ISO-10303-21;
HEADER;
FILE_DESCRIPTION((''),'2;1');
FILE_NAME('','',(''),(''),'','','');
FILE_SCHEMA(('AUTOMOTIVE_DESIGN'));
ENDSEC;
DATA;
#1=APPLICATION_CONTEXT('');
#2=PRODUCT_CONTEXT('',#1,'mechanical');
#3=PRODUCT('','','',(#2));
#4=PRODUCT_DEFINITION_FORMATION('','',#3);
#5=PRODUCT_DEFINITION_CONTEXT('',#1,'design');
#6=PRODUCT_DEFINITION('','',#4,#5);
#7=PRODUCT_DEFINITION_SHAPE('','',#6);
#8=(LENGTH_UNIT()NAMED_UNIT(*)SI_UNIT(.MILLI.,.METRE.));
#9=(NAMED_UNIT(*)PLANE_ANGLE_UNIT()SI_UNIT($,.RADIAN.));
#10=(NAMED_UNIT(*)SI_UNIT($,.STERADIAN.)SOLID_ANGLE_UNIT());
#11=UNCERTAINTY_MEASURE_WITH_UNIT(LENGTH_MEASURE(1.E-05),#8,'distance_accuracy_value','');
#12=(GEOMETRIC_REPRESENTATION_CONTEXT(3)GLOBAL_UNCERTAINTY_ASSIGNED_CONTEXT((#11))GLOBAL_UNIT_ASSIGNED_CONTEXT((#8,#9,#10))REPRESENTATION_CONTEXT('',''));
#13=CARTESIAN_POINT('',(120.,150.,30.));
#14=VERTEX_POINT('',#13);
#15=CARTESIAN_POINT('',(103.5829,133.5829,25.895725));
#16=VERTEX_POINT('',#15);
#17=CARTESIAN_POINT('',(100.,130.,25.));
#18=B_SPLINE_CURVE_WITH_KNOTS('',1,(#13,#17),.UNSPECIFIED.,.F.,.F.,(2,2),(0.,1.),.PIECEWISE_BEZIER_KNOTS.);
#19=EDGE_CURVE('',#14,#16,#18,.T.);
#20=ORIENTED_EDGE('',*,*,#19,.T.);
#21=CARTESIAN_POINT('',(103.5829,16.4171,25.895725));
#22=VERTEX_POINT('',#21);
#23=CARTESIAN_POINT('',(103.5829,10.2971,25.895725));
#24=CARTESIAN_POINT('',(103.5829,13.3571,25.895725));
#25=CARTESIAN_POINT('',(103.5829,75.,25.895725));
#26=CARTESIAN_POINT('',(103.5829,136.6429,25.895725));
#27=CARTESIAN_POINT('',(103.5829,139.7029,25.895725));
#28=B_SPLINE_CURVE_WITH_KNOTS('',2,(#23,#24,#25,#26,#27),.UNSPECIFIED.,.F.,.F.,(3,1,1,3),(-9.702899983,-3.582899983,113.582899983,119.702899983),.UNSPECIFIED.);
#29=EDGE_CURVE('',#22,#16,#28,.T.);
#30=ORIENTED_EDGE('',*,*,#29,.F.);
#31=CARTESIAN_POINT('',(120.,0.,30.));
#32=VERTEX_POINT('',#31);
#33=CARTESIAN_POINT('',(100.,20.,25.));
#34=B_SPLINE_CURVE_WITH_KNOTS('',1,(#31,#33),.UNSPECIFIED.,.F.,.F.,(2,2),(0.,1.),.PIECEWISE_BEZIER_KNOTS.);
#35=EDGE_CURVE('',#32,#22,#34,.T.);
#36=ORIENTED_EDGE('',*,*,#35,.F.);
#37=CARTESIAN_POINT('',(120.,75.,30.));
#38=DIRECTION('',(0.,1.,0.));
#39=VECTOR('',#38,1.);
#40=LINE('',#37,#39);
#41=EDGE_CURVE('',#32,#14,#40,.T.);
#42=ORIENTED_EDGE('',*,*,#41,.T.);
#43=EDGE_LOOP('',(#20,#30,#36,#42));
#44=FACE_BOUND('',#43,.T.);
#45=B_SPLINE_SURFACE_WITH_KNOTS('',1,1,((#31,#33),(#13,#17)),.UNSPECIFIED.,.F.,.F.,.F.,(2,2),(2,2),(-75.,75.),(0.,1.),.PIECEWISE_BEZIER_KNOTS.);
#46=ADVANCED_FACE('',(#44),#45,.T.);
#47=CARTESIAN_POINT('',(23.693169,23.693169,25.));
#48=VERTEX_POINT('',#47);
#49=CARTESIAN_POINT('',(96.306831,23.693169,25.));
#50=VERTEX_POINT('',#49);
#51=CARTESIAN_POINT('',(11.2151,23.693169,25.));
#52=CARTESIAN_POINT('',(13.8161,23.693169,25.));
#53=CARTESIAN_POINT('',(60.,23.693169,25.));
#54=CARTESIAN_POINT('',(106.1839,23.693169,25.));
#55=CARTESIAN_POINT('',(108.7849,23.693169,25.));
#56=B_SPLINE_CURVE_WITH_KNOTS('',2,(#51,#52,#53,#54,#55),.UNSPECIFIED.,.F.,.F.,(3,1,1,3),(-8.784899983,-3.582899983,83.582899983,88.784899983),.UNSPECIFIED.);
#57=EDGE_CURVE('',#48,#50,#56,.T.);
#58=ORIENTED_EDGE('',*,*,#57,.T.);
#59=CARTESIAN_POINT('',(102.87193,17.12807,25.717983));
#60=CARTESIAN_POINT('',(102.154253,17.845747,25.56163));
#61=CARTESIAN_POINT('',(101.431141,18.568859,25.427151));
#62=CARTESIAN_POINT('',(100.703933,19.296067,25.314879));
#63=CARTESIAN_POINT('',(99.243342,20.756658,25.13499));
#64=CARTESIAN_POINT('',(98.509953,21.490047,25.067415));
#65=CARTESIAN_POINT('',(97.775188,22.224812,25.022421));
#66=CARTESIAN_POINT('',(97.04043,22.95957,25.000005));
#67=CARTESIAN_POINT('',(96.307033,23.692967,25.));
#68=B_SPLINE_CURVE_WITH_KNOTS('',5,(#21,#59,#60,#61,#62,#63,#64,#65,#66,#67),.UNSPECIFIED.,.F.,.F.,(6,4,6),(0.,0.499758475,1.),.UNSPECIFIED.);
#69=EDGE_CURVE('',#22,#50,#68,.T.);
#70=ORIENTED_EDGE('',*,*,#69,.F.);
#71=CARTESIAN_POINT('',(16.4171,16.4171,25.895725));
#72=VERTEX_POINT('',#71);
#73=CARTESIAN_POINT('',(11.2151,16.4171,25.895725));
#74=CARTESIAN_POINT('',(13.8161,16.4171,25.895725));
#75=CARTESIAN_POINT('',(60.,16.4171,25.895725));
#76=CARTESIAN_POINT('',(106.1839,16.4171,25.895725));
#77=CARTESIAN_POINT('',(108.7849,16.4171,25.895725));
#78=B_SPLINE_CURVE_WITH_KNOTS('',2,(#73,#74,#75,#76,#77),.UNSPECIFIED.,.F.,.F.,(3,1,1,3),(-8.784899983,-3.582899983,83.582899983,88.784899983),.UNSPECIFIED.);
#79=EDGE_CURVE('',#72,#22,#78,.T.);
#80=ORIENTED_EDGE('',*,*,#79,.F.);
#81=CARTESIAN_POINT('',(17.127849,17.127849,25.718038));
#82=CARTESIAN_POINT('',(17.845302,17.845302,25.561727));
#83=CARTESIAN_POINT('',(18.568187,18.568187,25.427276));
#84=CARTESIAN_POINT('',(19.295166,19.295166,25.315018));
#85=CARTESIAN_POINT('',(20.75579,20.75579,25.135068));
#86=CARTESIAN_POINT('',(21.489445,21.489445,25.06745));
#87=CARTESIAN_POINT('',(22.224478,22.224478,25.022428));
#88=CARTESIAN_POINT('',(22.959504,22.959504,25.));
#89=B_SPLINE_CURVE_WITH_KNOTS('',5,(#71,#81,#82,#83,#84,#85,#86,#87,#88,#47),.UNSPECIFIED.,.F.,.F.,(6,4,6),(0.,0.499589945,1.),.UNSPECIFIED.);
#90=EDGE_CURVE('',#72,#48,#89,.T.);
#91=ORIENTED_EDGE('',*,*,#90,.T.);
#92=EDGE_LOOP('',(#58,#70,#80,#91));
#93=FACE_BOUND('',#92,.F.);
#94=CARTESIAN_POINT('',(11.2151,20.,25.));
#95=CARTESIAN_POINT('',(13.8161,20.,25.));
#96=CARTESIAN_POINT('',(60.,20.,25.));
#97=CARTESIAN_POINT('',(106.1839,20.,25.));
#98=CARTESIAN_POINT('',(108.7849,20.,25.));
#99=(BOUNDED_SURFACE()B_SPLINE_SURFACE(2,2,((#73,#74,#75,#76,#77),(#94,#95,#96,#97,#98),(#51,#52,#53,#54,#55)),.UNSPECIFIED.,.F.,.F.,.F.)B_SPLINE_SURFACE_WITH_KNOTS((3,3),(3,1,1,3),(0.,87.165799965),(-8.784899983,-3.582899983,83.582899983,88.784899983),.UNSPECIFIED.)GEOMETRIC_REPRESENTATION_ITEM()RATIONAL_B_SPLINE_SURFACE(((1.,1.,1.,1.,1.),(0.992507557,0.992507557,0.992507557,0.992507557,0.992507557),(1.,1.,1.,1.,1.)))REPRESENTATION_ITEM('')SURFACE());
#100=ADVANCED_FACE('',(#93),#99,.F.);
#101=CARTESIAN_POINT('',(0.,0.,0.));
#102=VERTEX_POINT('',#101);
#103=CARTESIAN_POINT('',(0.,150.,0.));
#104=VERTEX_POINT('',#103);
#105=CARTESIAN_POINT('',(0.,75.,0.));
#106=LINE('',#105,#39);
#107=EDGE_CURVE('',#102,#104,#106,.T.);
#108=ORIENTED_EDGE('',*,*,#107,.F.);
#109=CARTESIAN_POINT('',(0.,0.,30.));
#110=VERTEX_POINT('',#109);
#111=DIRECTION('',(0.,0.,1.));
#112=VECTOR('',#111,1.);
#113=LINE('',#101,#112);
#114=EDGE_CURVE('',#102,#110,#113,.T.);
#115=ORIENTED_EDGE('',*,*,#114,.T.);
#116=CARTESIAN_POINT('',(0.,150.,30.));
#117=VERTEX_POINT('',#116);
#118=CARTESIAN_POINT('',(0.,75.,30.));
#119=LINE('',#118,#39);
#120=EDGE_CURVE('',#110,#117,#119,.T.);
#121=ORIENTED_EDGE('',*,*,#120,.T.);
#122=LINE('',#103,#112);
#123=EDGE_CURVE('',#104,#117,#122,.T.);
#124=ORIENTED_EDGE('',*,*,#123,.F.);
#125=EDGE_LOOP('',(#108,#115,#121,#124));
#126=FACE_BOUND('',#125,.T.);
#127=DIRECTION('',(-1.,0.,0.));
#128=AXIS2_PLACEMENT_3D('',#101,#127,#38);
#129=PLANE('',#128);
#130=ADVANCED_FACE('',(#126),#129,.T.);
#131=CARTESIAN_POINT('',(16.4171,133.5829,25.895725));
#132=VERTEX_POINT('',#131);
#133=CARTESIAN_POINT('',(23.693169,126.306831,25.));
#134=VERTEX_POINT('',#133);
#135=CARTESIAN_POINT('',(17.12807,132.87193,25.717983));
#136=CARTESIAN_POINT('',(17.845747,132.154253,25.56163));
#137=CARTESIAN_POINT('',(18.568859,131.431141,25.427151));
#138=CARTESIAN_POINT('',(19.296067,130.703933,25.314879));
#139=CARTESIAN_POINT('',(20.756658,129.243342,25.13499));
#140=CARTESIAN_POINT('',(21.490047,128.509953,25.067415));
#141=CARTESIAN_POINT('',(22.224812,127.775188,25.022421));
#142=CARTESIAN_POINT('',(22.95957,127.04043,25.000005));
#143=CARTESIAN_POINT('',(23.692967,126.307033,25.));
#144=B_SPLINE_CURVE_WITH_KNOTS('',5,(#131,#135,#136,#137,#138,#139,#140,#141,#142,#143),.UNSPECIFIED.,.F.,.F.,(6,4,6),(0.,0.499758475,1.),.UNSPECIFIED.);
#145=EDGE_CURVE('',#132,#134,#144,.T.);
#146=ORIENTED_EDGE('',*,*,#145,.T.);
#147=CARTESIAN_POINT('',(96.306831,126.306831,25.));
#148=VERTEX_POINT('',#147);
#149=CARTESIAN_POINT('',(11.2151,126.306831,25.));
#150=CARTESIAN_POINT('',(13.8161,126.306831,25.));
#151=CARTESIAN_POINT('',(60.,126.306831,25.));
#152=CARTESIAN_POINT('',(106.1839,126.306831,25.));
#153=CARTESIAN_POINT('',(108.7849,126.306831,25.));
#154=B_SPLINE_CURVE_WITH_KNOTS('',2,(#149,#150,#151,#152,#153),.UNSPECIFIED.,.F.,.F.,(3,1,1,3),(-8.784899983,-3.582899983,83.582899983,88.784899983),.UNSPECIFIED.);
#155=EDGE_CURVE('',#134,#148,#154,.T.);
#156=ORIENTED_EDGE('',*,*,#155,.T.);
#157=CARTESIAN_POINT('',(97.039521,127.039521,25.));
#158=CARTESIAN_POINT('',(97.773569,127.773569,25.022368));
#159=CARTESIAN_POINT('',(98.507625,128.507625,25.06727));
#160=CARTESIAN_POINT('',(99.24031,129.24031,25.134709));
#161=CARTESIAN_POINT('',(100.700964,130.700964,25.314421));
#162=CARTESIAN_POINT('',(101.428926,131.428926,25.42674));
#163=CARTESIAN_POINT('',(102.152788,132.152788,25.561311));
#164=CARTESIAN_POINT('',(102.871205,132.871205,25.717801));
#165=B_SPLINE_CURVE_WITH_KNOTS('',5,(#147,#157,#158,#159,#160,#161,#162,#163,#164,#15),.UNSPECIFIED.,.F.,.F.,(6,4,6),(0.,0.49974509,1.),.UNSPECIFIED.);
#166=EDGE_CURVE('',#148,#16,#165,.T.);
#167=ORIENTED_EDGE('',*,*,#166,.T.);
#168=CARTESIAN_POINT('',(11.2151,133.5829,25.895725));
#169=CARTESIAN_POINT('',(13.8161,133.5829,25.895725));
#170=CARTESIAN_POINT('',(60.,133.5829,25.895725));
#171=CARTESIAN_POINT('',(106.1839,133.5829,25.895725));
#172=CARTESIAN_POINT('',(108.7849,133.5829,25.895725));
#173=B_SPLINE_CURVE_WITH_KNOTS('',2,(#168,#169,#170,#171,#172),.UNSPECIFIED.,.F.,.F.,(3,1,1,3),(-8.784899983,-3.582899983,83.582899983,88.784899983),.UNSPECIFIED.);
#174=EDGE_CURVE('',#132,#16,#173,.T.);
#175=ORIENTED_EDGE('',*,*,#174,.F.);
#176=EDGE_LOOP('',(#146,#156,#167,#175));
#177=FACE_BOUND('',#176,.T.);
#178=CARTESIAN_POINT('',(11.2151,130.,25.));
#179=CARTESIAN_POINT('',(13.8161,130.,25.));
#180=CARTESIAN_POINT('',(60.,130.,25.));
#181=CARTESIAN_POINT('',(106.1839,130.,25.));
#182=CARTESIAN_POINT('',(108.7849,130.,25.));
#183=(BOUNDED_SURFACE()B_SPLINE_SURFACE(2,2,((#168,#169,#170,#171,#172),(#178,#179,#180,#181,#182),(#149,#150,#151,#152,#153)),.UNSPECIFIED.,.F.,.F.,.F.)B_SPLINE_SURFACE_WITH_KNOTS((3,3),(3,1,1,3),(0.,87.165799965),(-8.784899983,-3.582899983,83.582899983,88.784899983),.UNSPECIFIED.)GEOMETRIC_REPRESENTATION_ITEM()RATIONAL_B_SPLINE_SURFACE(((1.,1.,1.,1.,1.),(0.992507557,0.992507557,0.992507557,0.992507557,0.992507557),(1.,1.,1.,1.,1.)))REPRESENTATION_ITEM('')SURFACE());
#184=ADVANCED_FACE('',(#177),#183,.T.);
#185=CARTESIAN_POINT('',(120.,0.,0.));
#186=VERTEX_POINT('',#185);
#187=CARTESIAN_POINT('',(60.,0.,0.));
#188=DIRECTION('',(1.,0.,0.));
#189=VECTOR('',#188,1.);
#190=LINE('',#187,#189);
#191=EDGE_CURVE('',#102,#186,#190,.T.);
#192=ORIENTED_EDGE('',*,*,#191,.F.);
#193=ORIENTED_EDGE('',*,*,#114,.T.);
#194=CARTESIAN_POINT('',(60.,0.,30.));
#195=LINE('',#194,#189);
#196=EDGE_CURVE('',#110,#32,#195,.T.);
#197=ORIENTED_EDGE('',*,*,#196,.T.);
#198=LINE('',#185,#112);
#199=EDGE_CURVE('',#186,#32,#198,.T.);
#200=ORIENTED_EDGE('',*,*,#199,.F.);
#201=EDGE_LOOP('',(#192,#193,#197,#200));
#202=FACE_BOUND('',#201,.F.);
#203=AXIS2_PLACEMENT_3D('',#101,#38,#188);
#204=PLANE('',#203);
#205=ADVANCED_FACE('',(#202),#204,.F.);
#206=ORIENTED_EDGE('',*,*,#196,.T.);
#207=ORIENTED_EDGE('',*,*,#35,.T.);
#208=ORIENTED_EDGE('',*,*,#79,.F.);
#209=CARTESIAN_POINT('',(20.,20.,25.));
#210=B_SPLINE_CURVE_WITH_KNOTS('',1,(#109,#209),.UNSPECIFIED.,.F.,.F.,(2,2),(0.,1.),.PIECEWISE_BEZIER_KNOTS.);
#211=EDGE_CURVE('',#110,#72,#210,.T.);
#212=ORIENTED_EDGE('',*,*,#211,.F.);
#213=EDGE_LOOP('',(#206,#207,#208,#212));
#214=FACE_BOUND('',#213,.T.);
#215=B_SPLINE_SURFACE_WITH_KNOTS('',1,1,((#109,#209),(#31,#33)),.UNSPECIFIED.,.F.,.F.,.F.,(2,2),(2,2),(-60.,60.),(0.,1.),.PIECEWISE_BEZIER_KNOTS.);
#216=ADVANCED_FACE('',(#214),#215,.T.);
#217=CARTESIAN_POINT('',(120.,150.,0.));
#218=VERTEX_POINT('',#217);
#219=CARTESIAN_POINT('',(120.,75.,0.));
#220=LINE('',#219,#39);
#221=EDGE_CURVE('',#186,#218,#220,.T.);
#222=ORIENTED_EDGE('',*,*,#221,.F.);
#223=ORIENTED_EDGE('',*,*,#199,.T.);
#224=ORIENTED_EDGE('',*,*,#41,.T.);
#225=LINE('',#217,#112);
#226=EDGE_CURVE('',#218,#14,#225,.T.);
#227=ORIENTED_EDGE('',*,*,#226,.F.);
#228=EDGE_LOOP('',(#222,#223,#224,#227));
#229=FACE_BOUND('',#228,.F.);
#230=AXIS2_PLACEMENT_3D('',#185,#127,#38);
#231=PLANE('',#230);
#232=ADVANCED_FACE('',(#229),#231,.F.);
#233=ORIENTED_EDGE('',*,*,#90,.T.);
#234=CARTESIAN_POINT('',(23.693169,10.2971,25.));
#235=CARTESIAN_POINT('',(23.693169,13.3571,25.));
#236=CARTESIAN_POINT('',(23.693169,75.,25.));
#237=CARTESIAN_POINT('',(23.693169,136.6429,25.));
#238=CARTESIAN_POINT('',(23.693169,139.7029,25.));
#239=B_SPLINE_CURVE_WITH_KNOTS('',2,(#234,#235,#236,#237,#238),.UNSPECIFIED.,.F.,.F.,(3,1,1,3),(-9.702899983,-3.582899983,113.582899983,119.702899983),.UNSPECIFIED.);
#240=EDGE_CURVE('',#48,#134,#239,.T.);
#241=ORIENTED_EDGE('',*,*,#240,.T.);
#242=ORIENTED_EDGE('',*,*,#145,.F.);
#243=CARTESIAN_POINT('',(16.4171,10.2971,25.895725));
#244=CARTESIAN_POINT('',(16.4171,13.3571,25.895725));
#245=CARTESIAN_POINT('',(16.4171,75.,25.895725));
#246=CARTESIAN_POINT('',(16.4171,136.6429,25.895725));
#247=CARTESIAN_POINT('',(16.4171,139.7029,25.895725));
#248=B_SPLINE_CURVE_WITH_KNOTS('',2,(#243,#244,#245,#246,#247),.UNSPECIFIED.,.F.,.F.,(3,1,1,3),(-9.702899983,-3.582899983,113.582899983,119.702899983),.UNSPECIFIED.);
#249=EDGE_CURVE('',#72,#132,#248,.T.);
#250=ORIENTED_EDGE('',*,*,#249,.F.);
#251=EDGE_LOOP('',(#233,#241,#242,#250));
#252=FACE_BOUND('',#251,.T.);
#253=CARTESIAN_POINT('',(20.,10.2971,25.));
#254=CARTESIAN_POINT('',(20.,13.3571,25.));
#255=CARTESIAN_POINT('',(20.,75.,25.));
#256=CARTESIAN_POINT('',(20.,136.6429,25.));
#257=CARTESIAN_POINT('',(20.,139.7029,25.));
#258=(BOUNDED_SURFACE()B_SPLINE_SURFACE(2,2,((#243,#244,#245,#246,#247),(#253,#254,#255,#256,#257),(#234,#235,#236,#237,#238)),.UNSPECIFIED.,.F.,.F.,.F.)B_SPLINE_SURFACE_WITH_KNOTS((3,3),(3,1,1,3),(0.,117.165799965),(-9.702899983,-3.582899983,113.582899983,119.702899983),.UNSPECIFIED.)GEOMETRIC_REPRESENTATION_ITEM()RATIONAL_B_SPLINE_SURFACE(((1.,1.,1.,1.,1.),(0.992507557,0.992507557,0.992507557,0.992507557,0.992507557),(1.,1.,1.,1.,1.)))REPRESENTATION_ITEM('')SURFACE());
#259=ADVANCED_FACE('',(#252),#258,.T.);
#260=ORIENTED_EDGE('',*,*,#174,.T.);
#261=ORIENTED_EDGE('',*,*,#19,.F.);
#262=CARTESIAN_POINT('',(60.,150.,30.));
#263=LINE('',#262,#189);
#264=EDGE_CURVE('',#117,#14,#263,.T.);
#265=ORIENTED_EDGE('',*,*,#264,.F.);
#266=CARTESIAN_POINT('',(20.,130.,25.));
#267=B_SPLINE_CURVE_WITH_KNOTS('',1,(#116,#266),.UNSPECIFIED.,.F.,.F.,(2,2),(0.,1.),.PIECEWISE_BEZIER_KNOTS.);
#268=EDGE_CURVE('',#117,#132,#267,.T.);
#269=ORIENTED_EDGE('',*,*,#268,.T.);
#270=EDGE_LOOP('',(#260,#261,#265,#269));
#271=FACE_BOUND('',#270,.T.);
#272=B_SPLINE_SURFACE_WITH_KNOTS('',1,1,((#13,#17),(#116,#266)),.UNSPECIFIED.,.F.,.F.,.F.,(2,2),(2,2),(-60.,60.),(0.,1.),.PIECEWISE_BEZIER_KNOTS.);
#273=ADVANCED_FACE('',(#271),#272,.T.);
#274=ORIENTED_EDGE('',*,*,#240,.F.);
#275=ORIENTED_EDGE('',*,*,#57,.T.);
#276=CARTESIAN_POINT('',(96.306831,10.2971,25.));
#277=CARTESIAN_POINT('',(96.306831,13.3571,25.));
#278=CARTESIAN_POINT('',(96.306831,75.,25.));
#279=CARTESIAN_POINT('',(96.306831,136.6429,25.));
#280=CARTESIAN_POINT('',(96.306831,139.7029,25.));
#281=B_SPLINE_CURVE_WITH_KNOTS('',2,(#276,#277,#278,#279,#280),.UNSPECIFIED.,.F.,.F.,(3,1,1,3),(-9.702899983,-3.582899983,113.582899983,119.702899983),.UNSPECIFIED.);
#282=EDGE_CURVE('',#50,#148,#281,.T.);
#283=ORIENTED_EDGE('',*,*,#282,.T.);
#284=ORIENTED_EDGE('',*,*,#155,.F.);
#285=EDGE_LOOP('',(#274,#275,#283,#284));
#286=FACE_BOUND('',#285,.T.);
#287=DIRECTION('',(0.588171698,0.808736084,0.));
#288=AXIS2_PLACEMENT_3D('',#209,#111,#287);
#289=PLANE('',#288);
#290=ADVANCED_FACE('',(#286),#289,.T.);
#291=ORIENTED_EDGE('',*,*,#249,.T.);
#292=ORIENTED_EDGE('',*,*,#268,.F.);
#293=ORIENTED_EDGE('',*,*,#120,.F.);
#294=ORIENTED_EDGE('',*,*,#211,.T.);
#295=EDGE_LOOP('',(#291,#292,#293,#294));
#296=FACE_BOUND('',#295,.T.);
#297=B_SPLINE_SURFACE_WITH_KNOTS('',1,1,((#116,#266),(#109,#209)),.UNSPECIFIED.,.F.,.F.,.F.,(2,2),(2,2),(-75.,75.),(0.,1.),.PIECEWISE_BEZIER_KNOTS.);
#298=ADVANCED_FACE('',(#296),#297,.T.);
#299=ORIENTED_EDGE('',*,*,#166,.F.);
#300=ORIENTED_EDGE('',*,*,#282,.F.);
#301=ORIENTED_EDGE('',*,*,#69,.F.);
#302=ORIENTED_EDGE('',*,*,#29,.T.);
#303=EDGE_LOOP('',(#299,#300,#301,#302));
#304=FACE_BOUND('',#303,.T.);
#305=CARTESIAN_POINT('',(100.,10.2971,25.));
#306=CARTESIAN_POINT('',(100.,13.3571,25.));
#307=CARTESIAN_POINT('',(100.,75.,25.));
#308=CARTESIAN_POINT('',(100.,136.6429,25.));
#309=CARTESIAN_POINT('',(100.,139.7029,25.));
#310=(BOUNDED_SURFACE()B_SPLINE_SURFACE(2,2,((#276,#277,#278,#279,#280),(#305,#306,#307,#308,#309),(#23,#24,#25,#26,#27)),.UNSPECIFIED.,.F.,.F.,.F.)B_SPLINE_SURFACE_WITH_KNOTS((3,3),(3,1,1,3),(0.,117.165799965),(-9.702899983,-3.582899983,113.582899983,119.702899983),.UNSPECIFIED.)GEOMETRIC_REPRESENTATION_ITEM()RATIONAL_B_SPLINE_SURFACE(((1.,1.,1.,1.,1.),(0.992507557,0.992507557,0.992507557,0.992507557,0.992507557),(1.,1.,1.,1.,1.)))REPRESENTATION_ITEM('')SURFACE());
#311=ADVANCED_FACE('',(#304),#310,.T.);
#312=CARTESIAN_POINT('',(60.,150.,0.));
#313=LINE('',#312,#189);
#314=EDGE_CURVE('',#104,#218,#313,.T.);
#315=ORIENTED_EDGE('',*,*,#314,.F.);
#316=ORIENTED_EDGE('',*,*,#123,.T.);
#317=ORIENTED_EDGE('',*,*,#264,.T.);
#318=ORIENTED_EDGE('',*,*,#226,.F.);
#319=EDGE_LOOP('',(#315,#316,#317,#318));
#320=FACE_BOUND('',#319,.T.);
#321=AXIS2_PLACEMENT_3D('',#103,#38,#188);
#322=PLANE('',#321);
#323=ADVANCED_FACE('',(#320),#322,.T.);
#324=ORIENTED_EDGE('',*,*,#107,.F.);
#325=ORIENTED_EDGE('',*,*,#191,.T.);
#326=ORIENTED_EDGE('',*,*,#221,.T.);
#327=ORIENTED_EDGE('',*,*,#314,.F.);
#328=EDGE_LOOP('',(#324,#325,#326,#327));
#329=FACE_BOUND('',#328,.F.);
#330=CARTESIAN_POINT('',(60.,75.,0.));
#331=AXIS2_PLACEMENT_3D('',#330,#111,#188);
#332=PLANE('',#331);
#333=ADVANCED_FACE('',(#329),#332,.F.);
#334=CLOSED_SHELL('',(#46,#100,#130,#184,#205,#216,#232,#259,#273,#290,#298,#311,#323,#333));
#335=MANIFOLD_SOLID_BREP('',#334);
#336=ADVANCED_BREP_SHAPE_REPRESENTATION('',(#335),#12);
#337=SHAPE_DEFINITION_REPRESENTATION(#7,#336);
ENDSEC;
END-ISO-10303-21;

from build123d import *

# Parameters (mm, degrees)
F0_W      = 120
F0_H      = 150
F1_DEPTH  = 30
F1_FACE_W = 120
F1_FACE_H = 150
F3_W      = 80
F3_H      = 110
F5_R      = 30


with BuildPart() as f1:
    # F0 (on Top) → F1 (new body)
    with BuildSketch(Plane.XY):
        with Locations((60, 75)):
            Rectangle(F0_W, F0_H)
    extrude(amount=F1_DEPTH)

    # F1_face (on face) → F4 section 0
    with BuildSketch(Plane(origin=(60, 75, 30), x_dir=(1, 0, 0), z_dir=(0, 0, 1))):
        Rectangle(F1_FACE_W, F1_FACE_H)
    # F3 (on offset) → F4 section 1
    with BuildSketch(Plane.XY.offset(25)):
        with Locations((60, 75)):
            Rectangle(F3_W, F3_H)
    loft(mode=Mode.SUBTRACT)

    # F5
    f5_edges = [f1.edges().sort_by_distance(p)[0] for p in [
        (20, 75, 25),
        (60, 20, 25),
        (100, 75, 25),
        (60, 130, 25),
    ]]
    fillet(f5_edges, radius=F5_R)


solid = f1.part
